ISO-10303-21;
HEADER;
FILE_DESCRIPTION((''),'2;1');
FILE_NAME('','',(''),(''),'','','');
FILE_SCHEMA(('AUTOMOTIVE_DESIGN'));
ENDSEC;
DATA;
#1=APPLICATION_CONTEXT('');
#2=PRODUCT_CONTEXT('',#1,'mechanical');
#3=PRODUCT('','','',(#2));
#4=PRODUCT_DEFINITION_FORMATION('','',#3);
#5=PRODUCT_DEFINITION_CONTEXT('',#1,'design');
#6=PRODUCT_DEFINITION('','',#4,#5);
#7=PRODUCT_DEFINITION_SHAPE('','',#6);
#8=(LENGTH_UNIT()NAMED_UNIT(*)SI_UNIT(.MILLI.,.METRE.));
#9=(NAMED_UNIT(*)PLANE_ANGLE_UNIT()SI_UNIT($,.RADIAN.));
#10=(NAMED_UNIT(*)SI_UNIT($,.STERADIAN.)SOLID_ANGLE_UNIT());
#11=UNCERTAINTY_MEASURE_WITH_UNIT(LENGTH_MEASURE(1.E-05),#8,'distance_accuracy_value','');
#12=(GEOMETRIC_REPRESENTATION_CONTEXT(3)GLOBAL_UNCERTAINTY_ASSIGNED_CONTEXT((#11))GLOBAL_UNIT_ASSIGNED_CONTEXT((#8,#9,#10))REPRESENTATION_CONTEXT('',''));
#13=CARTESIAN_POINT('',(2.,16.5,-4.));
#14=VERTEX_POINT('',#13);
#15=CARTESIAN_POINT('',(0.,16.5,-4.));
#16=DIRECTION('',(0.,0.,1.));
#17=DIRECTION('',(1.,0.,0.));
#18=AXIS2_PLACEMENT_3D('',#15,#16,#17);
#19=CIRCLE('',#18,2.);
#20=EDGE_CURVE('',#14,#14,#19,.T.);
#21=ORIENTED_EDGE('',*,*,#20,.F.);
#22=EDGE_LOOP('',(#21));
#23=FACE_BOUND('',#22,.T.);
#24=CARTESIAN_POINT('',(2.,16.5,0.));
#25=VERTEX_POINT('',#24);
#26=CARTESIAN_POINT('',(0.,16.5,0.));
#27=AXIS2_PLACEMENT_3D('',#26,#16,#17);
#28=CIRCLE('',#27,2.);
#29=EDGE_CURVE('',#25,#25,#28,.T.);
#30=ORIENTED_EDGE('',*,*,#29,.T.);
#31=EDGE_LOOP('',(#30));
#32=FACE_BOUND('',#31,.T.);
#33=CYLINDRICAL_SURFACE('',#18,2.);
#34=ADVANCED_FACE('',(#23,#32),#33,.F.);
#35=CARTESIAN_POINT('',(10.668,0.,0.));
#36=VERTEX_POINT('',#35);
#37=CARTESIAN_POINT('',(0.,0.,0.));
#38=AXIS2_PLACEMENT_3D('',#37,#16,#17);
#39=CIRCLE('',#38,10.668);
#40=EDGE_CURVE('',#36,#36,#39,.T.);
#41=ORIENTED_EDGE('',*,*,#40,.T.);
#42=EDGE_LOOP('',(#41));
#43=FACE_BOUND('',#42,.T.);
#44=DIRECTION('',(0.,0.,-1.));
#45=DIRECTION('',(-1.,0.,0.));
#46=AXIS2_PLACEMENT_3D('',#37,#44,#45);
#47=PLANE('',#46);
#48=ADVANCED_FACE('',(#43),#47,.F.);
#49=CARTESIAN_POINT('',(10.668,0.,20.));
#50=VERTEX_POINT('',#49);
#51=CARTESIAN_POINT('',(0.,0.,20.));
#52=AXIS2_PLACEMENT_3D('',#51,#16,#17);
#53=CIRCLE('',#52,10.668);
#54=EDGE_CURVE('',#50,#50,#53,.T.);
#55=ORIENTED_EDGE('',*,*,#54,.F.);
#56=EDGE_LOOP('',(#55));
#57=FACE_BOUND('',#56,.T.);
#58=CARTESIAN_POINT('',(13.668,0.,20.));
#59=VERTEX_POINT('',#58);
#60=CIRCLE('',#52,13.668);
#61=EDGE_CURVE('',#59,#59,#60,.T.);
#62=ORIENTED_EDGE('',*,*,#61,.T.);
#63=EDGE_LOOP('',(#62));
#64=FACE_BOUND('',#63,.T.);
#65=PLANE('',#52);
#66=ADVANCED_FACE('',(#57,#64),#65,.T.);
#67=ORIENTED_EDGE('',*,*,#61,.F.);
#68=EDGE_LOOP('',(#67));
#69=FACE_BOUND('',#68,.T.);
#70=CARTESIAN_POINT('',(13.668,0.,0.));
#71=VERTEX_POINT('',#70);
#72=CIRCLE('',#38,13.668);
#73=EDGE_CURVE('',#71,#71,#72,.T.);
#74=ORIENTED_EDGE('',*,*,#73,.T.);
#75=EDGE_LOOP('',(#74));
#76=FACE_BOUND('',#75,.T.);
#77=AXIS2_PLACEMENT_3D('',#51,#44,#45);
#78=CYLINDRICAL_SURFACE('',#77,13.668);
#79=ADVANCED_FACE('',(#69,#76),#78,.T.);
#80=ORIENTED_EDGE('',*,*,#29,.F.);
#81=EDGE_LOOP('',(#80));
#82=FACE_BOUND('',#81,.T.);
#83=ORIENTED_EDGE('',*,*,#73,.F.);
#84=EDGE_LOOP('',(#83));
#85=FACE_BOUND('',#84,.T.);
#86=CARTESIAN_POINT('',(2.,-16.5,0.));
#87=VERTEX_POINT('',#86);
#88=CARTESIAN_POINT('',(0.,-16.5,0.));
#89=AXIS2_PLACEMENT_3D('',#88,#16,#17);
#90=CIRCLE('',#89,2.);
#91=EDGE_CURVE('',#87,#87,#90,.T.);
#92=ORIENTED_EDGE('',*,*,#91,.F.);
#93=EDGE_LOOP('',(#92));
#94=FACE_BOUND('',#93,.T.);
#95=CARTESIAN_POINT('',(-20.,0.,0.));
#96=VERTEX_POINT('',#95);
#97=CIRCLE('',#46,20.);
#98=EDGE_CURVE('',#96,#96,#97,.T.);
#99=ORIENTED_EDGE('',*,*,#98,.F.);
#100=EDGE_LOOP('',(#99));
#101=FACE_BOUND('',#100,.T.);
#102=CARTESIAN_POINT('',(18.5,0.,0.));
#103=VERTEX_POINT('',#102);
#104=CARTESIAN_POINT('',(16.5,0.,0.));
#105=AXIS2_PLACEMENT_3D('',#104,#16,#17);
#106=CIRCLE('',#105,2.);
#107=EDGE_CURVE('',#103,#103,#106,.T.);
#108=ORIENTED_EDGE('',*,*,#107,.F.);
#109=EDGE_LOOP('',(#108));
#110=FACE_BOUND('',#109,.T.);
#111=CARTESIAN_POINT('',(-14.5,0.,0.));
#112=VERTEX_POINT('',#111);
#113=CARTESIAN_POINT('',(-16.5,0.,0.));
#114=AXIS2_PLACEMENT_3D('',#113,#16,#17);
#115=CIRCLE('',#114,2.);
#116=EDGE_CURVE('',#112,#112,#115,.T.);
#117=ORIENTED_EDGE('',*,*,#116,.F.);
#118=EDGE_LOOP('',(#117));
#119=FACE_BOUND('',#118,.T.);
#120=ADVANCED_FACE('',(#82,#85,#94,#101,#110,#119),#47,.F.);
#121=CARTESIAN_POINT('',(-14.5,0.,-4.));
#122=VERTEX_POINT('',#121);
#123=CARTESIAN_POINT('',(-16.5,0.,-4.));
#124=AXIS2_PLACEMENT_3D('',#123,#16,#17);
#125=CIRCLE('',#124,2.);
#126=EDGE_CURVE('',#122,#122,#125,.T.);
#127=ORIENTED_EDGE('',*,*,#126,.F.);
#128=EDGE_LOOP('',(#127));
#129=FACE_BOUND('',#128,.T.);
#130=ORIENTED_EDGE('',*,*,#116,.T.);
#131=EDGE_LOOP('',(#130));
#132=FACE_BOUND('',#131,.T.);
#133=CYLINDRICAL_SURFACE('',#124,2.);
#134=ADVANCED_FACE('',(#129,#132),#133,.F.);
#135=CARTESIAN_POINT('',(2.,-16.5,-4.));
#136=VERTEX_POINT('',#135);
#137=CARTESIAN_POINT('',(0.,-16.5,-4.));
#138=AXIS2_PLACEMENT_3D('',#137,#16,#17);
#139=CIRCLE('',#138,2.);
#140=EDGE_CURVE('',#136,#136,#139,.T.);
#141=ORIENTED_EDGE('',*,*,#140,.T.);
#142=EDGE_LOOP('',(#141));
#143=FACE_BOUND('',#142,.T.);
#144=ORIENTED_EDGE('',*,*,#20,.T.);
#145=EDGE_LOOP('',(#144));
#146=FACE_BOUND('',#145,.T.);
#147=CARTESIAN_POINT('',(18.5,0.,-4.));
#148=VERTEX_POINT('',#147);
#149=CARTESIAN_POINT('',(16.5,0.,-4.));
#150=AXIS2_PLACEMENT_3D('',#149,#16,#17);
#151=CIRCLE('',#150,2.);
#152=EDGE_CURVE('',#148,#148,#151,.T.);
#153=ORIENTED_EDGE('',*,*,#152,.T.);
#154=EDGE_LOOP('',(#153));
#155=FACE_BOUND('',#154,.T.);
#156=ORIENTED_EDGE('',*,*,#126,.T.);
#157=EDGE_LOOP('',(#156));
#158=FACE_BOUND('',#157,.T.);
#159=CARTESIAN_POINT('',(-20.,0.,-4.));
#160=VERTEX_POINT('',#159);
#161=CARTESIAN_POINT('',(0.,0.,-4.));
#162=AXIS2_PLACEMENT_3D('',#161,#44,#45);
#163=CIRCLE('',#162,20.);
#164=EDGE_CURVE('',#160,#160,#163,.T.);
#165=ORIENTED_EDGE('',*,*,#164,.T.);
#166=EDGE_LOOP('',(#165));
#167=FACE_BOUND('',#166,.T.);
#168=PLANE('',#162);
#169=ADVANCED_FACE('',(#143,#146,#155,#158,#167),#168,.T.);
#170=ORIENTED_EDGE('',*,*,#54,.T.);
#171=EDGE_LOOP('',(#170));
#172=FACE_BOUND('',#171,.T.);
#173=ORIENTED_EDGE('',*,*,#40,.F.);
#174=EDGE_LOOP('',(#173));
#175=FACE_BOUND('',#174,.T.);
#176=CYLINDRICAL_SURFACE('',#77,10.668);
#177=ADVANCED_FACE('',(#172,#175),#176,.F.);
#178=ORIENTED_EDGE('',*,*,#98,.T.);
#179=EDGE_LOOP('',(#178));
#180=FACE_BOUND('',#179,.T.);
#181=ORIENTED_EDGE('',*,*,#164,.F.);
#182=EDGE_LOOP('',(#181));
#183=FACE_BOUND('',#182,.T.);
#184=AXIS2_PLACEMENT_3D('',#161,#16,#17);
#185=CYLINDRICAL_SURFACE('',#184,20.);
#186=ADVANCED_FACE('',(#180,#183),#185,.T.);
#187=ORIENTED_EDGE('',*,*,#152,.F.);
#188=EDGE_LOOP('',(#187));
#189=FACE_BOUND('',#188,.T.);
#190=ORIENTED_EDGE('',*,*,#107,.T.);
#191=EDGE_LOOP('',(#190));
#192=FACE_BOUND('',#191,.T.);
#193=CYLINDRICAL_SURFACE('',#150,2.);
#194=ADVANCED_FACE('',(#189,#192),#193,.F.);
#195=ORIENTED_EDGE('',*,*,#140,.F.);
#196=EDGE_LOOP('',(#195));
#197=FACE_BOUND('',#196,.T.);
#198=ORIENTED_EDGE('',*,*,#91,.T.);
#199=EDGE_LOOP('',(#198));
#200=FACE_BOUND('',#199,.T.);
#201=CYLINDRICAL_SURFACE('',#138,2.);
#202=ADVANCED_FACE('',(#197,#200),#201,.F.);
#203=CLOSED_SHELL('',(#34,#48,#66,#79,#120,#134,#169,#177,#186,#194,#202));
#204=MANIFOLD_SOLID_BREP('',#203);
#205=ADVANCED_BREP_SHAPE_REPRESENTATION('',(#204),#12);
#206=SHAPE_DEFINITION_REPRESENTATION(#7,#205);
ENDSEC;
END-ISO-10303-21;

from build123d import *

# Parameters (mm, degrees)
SKETCH1_R           = 13.668
SKETCH1_R_2         = 10.668
BOSS_EXTRUDE1_DEPTH = 20
SKETCH2_R           = 20
BOSS_EXTRUDE2_DEPTH = 4
SKETCH3_R           = 2
M4_DRILL_DEPTH      = 4


with BuildPart() as part:
    # Sketch1 → Boss-Extrude1 (new body)
    with BuildSketch(Plane.XY):
        Circle(SKETCH1_R)
        Circle(SKETCH1_R_2, mode=Mode.SUBTRACT)
    extrude(amount=BOSS_EXTRUDE1_DEPTH)

    # Sketch2 → Boss-Extrude2 (add)
    with BuildSketch(Plane(origin=(0, 0, 0), x_dir=(-1, 0, 0), z_dir=(0, 0, -1))):
        Circle(SKETCH2_R)
    extrude(amount=BOSS_EXTRUDE2_DEPTH)

    # Sketch3 → M4_DRILL (cut)
    with BuildSketch(Plane.XY):
        with Locations((0, 16.5)):
            Circle(SKETCH3_R)
        with Locations((16.5, 0)):
            Circle(SKETCH3_R)
        with Locations((0, -16.5)):
            Circle(SKETCH3_R)
        with Locations((-16.5, 0)):
            Circle(SKETCH3_R)
    extrude(amount=-M4_DRILL_DEPTH, mode=Mode.SUBTRACT)


solid = part.part
